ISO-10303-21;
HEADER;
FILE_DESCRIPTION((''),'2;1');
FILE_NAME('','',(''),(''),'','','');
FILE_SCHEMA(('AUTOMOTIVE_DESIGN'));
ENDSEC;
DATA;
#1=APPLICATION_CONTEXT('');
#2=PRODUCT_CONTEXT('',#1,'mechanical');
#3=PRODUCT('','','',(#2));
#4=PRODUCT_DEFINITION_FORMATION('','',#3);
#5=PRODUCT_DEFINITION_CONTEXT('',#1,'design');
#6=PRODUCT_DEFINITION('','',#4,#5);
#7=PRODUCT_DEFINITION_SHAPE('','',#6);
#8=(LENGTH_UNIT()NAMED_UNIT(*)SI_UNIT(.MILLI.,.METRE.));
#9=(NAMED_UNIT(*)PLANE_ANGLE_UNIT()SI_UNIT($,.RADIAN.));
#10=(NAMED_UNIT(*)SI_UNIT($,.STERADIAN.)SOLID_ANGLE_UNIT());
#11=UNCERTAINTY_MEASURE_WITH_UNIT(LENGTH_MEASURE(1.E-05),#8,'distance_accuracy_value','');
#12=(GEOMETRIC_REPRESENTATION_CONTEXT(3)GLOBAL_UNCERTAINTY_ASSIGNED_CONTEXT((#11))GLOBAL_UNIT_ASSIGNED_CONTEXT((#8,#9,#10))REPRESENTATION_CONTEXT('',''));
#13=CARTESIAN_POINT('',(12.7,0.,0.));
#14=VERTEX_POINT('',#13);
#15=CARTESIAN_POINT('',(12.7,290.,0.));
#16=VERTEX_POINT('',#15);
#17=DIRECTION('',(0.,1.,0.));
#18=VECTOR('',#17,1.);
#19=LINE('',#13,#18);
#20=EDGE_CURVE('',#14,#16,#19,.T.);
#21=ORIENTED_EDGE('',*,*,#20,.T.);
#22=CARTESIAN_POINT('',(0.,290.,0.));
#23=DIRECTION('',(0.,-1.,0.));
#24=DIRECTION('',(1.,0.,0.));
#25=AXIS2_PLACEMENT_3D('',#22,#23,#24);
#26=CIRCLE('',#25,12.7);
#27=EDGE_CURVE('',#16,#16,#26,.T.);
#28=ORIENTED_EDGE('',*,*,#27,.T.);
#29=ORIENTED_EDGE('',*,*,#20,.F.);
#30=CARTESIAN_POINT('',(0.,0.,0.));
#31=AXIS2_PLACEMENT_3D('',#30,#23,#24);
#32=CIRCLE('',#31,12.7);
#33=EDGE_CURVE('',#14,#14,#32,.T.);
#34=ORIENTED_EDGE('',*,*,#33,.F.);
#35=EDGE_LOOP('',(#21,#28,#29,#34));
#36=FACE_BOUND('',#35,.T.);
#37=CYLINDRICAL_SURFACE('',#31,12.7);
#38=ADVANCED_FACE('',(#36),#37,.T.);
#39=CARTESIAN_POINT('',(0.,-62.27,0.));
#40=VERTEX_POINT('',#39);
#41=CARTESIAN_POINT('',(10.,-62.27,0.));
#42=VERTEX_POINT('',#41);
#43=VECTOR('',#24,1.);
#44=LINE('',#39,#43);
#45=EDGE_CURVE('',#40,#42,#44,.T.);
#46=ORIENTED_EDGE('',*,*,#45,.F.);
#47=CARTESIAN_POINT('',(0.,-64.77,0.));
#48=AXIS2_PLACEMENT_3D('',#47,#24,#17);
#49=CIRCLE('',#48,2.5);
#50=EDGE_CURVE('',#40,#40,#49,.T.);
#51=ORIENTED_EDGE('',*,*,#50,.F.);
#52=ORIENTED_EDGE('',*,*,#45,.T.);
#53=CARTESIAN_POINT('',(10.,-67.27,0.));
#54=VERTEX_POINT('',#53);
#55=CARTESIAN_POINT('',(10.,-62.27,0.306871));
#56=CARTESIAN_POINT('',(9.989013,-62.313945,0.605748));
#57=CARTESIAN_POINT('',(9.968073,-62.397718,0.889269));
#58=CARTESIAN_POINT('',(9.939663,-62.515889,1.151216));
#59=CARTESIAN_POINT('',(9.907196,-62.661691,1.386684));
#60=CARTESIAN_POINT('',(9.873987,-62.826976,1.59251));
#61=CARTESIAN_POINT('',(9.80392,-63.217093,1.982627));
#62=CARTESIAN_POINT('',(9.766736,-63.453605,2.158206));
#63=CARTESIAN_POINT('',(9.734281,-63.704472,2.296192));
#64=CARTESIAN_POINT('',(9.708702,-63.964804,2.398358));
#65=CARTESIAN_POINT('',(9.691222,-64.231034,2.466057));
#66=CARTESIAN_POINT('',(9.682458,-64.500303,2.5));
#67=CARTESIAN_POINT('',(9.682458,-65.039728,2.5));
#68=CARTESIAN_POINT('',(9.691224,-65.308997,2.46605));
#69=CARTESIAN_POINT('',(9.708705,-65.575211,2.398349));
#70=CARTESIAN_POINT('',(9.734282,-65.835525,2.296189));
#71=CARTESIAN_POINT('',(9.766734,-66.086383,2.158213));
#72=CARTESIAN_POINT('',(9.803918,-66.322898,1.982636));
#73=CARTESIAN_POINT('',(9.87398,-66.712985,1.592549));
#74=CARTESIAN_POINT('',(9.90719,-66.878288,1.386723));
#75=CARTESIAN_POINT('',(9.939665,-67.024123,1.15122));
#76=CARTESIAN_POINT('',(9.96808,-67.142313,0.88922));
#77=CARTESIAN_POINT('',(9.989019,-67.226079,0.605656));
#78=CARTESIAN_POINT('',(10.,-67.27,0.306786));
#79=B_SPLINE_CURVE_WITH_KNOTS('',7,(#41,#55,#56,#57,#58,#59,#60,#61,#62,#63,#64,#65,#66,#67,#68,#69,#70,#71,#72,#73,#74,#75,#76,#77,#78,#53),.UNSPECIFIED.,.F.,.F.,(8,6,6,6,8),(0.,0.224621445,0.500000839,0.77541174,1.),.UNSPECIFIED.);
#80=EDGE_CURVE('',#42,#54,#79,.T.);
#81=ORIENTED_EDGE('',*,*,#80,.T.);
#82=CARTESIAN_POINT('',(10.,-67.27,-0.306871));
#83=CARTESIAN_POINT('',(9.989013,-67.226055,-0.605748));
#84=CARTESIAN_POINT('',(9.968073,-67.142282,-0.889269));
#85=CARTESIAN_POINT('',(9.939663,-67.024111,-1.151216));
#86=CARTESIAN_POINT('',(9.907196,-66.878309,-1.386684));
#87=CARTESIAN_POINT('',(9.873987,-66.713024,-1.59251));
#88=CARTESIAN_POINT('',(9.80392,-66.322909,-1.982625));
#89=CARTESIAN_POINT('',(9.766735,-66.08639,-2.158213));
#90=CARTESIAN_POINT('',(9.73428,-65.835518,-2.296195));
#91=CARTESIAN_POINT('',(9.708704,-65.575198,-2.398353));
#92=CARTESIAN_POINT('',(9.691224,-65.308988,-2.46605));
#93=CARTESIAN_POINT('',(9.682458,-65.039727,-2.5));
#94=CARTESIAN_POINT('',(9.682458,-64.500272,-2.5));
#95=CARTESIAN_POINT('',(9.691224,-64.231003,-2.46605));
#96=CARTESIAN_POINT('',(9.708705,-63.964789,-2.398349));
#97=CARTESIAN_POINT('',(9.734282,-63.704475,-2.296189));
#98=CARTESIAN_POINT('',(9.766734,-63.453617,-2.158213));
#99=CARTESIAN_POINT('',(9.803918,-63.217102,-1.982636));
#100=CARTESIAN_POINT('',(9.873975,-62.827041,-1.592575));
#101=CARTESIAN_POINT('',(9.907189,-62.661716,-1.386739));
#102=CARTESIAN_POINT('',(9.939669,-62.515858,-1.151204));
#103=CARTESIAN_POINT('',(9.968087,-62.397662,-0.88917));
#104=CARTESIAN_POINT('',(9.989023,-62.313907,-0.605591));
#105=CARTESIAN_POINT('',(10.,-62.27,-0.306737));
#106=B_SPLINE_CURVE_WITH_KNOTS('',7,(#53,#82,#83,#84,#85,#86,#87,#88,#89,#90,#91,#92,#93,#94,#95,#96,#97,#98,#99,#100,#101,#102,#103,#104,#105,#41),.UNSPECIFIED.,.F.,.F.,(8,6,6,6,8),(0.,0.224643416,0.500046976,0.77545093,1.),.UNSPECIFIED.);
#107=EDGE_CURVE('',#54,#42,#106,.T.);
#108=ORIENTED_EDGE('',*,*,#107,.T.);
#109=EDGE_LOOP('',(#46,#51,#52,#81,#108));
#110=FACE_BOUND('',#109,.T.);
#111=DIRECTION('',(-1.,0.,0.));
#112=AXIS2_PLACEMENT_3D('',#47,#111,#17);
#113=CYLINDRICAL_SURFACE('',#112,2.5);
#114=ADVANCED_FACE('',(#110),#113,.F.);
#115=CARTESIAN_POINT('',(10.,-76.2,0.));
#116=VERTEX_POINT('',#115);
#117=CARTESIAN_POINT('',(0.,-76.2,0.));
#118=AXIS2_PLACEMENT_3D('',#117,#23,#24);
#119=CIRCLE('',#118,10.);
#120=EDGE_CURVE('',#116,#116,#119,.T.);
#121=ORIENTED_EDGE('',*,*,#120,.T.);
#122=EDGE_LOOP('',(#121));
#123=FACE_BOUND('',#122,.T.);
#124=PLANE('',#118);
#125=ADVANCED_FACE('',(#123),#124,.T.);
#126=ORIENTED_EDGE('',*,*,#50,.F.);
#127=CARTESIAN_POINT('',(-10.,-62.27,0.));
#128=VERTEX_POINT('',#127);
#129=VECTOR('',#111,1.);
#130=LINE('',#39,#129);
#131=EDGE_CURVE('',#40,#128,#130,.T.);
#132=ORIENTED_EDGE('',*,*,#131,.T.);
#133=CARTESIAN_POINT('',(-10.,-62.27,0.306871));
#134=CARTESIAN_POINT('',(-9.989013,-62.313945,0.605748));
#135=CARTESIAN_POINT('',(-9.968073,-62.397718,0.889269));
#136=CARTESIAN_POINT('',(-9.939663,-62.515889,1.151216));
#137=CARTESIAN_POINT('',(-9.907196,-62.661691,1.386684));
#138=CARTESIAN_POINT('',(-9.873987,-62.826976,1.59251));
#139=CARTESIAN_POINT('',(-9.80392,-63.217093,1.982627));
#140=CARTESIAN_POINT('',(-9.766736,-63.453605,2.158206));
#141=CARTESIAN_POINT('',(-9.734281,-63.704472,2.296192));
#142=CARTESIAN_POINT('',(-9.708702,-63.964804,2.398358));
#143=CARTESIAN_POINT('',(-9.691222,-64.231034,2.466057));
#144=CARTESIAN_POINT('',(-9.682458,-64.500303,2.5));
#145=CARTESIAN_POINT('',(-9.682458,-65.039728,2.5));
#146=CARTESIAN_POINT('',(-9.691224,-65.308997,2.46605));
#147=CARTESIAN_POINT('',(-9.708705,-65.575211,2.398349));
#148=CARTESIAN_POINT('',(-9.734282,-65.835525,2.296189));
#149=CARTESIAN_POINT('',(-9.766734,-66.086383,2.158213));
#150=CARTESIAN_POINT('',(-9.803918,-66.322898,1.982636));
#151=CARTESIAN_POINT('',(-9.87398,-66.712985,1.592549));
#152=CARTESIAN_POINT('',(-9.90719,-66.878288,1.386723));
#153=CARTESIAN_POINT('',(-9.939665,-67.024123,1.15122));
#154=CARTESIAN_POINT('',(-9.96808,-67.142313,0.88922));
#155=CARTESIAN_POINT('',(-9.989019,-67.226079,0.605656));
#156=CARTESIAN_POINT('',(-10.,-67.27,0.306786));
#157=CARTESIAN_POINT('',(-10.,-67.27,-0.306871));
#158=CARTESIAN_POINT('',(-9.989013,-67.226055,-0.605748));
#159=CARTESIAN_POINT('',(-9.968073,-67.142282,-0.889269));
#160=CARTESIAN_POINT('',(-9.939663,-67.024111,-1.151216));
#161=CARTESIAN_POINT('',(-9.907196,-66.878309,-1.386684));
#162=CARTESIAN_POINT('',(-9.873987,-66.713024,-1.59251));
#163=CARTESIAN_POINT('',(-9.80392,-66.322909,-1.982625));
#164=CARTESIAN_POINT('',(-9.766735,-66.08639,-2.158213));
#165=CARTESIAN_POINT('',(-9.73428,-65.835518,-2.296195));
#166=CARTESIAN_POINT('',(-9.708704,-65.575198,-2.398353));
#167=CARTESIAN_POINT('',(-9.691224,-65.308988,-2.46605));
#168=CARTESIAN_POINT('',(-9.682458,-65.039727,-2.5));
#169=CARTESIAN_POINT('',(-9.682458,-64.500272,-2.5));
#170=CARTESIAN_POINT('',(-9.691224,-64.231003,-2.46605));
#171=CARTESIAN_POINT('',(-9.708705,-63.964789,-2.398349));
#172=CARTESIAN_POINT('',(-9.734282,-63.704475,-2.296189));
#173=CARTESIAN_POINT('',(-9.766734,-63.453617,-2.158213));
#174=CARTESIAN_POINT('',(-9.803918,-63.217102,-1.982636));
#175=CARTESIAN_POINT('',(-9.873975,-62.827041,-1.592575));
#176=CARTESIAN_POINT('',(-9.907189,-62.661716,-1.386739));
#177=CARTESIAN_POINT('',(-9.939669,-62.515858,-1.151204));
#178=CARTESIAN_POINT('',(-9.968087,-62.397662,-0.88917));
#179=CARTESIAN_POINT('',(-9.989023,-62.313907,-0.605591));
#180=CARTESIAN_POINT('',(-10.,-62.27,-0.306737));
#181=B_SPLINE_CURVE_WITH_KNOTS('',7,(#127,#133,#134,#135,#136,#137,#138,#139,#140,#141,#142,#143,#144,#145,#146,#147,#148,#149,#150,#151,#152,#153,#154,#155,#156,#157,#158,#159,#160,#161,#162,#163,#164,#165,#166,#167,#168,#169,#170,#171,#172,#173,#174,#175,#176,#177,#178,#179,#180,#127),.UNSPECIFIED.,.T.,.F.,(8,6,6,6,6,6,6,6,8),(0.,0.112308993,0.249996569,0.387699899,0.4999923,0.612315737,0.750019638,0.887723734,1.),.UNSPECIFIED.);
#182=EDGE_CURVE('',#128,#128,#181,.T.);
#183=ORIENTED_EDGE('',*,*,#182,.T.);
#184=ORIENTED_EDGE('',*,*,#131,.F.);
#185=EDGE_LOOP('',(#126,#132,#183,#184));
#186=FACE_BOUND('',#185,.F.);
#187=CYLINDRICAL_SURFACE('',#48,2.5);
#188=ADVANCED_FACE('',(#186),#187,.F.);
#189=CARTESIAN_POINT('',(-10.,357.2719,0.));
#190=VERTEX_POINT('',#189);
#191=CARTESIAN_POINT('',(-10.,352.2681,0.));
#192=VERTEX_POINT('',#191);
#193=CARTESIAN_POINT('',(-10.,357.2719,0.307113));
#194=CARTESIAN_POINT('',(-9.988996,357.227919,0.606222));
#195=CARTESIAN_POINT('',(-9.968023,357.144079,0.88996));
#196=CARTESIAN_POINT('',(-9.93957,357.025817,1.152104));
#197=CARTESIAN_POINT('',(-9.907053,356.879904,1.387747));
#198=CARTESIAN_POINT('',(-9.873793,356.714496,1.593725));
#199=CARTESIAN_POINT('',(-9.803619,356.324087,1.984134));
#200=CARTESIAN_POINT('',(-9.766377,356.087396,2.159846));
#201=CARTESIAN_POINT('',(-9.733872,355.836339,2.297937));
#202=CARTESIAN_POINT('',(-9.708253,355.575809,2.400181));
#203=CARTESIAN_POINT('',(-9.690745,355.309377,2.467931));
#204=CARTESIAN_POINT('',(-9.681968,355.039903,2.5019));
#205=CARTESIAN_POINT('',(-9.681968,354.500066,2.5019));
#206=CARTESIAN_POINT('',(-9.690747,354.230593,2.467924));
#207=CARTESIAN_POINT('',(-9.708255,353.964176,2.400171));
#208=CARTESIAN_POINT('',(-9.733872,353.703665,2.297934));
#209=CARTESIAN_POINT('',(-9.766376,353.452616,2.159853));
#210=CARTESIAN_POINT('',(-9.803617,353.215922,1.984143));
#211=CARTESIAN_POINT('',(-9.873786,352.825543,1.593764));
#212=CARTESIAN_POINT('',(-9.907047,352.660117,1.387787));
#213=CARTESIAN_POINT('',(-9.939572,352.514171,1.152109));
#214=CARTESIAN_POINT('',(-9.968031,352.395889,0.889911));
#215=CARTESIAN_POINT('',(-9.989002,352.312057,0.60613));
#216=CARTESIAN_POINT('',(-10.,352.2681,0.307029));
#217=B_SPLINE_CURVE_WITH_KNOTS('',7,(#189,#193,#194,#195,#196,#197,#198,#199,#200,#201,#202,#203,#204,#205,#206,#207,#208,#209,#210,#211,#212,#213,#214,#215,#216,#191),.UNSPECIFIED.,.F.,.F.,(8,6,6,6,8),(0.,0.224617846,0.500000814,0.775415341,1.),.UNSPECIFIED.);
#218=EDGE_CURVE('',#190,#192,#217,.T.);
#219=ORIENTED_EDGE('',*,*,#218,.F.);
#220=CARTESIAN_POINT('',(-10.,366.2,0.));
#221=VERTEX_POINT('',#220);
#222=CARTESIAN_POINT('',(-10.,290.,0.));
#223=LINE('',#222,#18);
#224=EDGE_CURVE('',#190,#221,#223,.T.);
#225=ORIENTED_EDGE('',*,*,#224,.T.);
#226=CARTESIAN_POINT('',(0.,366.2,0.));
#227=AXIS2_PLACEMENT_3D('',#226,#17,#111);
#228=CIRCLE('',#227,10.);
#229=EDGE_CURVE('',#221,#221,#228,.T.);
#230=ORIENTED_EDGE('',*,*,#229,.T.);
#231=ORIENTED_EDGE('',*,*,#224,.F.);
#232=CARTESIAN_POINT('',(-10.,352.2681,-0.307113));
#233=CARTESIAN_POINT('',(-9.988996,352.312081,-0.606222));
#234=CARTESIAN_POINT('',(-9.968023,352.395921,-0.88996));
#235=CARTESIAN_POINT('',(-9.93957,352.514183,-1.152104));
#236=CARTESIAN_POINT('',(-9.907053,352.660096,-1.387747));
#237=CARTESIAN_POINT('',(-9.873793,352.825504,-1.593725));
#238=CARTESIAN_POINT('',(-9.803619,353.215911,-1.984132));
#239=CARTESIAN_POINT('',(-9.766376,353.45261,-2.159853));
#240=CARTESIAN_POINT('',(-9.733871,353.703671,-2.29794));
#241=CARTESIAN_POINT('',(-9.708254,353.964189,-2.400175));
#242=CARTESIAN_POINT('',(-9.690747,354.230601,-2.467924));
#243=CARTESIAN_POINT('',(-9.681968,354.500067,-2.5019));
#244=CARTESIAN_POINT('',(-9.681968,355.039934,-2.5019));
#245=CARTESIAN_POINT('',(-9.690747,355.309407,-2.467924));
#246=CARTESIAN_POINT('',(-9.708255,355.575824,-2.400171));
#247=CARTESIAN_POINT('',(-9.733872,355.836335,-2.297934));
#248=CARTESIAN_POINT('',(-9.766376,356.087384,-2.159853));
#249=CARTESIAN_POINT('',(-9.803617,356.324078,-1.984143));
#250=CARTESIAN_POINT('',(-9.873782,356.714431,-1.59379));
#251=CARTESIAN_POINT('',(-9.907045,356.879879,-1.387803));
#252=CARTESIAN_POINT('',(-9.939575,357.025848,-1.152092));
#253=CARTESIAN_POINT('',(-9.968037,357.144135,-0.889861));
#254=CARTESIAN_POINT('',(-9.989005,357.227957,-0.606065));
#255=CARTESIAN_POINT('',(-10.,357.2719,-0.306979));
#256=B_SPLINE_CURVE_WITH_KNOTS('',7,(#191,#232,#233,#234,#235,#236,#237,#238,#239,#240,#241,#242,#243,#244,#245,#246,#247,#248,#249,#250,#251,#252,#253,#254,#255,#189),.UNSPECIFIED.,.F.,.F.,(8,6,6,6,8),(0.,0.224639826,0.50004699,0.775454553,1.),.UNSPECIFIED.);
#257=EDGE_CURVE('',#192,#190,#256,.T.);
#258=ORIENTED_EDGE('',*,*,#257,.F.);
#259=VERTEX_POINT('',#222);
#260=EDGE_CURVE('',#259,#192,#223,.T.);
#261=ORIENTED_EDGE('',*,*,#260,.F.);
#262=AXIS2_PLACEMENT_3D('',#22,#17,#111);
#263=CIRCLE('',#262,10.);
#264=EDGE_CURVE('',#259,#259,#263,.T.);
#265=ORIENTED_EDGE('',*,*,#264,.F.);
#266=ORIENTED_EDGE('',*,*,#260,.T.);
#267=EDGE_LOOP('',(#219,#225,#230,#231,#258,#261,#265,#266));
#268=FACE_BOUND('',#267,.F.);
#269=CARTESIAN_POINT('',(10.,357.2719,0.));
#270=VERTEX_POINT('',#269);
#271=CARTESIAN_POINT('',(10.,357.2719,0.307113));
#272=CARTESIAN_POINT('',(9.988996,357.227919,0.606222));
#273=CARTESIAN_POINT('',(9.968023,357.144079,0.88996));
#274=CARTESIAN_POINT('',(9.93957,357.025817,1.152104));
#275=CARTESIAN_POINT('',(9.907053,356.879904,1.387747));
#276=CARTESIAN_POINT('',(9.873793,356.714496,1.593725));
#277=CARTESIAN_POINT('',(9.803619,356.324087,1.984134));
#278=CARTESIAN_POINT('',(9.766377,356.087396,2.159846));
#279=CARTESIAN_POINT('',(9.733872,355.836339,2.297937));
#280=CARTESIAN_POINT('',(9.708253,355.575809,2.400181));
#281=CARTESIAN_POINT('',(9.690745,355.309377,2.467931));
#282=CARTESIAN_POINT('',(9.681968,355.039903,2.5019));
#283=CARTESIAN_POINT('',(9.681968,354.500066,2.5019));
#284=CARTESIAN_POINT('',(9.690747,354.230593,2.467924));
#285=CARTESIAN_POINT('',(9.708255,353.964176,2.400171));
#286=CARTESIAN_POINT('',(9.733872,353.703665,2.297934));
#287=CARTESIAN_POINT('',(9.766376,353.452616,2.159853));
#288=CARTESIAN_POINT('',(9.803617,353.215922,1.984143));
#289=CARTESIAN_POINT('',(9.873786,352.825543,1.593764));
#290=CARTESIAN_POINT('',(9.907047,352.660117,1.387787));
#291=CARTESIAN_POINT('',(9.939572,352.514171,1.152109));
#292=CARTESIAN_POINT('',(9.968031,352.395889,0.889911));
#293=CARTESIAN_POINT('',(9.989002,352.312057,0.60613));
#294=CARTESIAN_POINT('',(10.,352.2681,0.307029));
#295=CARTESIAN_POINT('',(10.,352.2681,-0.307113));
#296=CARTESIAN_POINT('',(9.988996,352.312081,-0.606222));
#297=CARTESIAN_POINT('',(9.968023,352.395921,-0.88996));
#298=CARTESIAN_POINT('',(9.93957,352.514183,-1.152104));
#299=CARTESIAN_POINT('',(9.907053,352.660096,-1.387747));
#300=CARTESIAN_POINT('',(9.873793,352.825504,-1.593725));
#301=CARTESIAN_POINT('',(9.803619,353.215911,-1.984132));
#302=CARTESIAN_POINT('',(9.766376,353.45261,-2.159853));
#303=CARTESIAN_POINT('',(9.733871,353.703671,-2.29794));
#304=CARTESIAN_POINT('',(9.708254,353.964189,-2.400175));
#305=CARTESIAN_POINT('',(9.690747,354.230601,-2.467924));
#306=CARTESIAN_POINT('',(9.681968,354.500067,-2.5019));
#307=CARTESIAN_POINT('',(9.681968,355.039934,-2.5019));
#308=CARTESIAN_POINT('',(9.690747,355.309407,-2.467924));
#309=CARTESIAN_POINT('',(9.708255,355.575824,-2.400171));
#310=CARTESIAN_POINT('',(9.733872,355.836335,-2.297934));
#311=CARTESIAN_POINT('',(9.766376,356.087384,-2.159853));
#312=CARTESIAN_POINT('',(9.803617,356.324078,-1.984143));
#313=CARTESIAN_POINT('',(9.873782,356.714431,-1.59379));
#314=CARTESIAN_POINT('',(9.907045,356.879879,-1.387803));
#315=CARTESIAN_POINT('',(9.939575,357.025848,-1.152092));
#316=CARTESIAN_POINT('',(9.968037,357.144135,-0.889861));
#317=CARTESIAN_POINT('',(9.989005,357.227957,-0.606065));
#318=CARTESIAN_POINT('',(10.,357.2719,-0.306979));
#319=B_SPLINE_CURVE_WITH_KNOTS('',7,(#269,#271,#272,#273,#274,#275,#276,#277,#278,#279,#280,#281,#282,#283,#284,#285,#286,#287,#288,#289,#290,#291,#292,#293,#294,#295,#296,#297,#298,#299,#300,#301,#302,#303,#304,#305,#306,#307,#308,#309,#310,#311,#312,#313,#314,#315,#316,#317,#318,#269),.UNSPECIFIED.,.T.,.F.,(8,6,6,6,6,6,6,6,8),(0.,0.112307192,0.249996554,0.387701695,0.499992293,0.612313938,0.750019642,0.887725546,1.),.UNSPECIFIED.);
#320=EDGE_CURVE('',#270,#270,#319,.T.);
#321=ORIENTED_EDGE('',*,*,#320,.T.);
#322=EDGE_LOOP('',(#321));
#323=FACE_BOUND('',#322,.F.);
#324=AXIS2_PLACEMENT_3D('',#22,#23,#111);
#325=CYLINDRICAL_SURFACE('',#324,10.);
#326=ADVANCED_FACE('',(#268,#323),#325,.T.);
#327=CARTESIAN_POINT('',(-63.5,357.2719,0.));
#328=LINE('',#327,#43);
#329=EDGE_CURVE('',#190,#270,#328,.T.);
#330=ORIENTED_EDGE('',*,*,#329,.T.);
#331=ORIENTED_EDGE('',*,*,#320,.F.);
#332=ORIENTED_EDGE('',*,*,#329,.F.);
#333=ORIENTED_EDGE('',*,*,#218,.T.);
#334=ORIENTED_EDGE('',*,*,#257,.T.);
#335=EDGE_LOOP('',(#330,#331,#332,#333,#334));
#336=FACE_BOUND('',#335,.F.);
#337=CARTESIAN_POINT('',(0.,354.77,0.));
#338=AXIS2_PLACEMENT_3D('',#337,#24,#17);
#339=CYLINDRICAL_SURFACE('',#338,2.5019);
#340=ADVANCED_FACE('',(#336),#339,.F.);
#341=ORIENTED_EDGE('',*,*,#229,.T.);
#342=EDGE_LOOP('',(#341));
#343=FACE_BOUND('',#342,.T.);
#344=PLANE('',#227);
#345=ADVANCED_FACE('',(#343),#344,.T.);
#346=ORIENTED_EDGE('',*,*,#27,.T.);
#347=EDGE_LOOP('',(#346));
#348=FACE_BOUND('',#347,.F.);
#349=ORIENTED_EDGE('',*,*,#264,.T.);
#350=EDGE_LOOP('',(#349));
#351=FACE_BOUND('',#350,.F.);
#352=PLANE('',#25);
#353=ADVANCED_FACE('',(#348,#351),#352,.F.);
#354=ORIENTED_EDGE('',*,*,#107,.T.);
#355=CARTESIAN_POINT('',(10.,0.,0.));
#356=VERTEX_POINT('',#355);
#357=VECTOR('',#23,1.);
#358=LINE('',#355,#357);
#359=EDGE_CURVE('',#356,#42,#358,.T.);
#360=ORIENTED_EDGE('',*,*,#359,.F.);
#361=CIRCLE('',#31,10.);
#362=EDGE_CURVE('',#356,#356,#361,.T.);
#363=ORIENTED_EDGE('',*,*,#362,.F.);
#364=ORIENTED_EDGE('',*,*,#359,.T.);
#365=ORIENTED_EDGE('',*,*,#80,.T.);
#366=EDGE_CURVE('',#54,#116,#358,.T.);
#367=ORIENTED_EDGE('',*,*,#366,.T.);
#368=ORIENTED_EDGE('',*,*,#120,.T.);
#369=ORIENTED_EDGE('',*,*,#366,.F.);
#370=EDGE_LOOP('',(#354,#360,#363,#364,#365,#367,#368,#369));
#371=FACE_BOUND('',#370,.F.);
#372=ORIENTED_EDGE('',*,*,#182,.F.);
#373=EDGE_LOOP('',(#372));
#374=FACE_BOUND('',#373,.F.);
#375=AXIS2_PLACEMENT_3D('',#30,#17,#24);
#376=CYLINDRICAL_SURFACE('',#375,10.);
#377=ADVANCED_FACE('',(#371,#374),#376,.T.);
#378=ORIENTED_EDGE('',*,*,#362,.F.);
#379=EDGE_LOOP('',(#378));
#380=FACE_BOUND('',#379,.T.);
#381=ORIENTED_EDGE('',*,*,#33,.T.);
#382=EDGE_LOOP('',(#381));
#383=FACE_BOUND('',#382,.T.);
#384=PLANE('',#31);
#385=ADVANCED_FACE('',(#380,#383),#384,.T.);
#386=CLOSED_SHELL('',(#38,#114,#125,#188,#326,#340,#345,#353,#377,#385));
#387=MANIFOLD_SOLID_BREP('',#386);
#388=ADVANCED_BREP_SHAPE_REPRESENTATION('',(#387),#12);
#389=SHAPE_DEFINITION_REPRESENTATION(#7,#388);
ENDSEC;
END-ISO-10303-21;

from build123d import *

# Parameters (mm, degrees)
F0_R     = 12.7
F0_R_2   = 10
F1_DEPTH = 290
F2_DEPTH = 76.2
F3_R     = 10
F4_DEPTH = 76.2
F5_R     = 2.5
F5_R_2   = 2.5019
F6_DEPTH = 63.5


with BuildPart() as f1:
    # F0 (on Front) → F1 (new body)
    with BuildSketch(Plane.XZ):
        Circle(F0_R)
        Circle(F0_R_2, mode=Mode.SUBTRACT)
        Circle(F0_R_2)
    extrude(amount=-F1_DEPTH)

    # F0 (on Front) → F2 (join)
    with BuildSketch(Plane.XZ):
        Circle(F0_R_2)
    extrude(amount=F2_DEPTH)

    # F3 (on face) → F4 (join)
    with BuildSketch(Plane(origin=(0, 290, 0), x_dir=(-1, 0, 0), z_dir=(0, 1, 0))):
        Circle(F3_R)
    extrude(amount=F4_DEPTH)

    # F5 (on Right) → F6 (cut, symmetric)
    with BuildSketch(Plane.YZ):
        with Locations((-64.77, 0)):
            Circle(F5_R)
        with Locations((354.77, 0)):
            Circle(F5_R_2)
    extrude(amount=F6_DEPTH, both=True, mode=Mode.SUBTRACT)


solid = f1.part
